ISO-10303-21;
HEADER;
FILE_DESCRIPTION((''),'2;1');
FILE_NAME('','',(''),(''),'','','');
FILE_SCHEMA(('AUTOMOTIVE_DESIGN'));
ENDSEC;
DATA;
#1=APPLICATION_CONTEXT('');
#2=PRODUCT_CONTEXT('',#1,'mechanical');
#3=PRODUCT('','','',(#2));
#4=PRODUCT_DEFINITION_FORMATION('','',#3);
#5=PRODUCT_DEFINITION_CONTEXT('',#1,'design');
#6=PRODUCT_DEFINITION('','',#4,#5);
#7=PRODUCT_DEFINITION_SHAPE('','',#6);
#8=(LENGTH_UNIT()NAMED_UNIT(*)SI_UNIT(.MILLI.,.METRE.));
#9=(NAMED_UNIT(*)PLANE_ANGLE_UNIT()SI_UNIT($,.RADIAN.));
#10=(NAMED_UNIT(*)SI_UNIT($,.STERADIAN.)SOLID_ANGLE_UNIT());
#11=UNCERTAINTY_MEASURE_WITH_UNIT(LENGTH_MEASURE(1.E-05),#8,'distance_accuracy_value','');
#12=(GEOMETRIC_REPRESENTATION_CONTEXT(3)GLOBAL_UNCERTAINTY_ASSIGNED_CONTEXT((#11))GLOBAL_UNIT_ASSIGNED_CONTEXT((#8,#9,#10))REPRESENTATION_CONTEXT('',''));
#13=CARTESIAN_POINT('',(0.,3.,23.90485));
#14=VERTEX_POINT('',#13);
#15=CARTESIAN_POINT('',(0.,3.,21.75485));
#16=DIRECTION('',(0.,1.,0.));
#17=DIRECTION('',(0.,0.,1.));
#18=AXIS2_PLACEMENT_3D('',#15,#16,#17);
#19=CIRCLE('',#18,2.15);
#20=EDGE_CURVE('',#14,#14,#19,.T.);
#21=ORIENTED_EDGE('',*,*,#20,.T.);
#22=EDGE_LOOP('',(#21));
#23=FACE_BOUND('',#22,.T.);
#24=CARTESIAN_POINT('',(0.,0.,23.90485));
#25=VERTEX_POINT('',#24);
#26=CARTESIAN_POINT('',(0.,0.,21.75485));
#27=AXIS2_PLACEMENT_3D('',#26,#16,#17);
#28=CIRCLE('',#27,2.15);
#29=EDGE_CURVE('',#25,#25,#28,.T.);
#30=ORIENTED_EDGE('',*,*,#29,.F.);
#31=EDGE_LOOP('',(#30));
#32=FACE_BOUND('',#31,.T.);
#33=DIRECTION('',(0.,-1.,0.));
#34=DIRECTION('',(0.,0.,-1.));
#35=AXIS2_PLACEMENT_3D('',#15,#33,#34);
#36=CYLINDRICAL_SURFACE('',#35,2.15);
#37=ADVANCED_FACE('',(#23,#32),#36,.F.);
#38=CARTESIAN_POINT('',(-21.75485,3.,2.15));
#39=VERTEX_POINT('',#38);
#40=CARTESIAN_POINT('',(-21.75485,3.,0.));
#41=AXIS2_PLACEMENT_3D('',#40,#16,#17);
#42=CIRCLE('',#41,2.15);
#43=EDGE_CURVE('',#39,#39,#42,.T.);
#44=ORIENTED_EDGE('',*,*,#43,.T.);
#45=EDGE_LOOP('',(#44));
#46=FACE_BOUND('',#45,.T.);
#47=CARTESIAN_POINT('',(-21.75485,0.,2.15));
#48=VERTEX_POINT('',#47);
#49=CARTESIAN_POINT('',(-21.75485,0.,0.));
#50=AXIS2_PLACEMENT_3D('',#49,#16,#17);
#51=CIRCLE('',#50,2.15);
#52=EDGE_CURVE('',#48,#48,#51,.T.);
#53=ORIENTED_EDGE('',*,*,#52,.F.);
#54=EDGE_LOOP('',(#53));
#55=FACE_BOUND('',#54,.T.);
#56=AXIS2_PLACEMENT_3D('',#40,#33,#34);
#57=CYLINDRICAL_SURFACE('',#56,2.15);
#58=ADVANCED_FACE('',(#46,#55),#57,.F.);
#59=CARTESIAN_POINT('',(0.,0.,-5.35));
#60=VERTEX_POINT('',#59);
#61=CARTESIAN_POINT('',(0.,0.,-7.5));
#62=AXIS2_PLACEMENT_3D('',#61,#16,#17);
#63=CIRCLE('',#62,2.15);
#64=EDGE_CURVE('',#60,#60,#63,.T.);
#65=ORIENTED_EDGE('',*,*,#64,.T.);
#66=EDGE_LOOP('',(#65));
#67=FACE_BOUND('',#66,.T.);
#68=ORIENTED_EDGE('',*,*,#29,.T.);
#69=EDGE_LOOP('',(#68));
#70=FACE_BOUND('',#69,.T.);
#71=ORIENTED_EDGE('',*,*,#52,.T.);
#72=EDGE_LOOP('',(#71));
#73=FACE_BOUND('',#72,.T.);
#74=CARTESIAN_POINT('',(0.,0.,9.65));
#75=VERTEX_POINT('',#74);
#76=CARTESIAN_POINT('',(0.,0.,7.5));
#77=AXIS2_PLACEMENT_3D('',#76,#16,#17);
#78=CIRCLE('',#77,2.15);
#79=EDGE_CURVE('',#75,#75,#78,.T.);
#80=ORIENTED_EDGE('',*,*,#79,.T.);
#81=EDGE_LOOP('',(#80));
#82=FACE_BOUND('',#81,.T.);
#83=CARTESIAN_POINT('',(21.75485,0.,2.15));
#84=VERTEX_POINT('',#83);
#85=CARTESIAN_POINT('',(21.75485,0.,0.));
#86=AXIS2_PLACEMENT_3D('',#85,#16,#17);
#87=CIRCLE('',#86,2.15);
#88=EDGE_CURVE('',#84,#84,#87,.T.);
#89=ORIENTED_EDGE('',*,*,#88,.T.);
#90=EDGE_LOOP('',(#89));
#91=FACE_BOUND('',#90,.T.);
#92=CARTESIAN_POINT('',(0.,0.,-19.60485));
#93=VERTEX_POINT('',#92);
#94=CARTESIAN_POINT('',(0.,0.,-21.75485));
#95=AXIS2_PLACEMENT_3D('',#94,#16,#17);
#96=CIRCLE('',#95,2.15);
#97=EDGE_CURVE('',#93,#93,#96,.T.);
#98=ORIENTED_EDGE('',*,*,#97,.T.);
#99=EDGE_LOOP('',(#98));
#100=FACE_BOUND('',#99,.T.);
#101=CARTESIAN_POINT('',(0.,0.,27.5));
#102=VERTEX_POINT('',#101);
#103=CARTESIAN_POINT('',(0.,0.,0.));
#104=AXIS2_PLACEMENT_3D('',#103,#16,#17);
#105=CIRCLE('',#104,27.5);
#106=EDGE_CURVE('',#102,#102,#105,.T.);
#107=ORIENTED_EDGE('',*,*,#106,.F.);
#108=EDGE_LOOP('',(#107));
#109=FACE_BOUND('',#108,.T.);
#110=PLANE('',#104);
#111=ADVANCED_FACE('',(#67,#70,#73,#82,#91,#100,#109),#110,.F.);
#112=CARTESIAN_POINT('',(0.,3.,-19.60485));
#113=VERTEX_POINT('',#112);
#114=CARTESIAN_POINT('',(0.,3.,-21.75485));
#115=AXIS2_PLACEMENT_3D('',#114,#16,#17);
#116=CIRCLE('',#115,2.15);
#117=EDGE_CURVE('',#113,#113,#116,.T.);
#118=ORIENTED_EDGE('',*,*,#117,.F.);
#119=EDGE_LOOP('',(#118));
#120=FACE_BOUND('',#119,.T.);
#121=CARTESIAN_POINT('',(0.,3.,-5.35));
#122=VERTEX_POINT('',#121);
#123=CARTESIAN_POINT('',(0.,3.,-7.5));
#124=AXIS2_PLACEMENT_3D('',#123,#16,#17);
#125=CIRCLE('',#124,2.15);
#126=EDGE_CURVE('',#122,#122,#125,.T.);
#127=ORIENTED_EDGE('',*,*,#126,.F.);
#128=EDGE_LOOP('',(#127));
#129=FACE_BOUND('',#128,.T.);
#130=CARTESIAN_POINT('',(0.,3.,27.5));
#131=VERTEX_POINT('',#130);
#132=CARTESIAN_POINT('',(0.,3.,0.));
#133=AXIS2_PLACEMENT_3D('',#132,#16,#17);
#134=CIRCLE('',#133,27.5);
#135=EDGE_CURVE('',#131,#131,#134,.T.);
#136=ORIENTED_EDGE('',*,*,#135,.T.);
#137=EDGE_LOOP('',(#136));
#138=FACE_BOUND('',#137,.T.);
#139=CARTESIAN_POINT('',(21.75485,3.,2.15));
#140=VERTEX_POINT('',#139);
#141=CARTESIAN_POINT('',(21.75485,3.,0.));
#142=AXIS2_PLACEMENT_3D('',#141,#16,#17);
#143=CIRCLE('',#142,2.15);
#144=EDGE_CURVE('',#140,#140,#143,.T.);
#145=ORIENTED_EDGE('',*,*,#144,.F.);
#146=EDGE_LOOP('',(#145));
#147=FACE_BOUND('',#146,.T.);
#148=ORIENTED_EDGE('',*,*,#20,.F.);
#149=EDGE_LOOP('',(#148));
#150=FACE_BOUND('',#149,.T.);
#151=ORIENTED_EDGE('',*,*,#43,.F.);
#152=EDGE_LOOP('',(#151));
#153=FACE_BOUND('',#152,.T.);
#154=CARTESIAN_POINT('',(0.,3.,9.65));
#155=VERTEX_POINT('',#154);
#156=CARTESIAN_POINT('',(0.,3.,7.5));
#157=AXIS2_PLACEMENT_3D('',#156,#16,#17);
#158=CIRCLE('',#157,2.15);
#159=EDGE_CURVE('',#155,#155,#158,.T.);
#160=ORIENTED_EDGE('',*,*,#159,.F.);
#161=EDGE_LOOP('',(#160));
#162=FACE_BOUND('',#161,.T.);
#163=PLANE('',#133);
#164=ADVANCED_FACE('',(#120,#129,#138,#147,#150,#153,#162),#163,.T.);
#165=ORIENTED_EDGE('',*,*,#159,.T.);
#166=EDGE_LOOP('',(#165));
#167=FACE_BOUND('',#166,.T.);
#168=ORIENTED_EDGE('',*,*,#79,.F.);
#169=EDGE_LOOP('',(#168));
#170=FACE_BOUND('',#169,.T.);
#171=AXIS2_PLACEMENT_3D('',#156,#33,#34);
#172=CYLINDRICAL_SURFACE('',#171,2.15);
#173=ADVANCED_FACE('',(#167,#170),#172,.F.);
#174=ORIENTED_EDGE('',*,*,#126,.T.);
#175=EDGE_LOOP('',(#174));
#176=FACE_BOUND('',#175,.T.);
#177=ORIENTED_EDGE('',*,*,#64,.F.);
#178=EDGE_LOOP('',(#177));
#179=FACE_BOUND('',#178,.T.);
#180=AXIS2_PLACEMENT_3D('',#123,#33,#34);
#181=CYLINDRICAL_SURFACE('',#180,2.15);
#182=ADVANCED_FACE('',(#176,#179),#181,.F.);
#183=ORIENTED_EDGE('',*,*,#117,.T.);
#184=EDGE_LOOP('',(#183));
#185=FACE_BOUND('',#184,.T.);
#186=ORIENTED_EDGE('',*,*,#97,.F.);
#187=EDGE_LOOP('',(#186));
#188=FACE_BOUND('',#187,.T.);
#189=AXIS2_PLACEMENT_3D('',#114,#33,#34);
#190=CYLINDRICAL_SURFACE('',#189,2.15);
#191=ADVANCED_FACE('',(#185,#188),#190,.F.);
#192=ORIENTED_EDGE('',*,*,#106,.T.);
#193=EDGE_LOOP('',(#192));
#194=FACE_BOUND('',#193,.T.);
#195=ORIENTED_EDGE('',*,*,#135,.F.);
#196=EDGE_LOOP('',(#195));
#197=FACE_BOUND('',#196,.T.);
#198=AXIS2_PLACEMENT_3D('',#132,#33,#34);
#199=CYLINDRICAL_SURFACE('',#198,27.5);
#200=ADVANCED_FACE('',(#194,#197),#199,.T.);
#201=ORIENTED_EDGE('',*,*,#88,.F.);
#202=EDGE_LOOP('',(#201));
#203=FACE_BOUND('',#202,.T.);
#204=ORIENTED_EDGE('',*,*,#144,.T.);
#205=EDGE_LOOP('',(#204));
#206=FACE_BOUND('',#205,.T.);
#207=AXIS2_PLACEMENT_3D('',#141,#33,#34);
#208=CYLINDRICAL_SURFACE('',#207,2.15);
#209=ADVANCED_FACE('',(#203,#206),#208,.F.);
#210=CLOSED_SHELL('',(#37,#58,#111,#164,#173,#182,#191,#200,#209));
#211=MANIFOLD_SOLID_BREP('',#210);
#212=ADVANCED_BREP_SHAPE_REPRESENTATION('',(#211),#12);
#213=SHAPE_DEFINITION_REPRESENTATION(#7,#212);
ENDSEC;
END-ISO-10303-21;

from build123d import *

# Parameters (mm, degrees)
SKETCH1_R           = 27.5
SKETCH1_R_2         = 2.15
BOSS_EXTRUDE1_DEPTH = 3


with BuildPart() as part:
    # Sketch1 → Boss-Extrude1 (new body)
    with BuildSketch(Plane(origin=(0, 0, 0), x_dir=(1, 0, 0), z_dir=(0, 1, 0))):
        with Locations(Location((0, 0, 0), (0, 0, 270))):
            Circle(SKETCH1_R)
        with Locations(Location((0, -21.754850352, 0), (0, 0, 270))):
            Circle(SKETCH1_R_2, mode=Mode.SUBTRACT)
        with Locations(Location((21.754850352, 0, 0), (0, 0, 270))):
            Circle(SKETCH1_R_2, mode=Mode.SUBTRACT)
        with Locations(Location((0, 21.754850352, 0), (0, 0, 270))):
            Circle(SKETCH1_R_2, mode=Mode.SUBTRACT)
        with Locations(Location((-21.754850352, 0, 0), (0, 0, 270))):
            Circle(SKETCH1_R_2, mode=Mode.SUBTRACT)
        with Locations(Location((0, 7.5, 0), (0, 0, 270))):
            Circle(SKETCH1_R_2, mode=Mode.SUBTRACT)
        with Locations(Location((0, -7.5, 0), (0, 0, 270))):
            Circle(SKETCH1_R_2, mode=Mode.SUBTRACT)
    extrude(amount=BOSS_EXTRUDE1_DEPTH)


solid = part.part
